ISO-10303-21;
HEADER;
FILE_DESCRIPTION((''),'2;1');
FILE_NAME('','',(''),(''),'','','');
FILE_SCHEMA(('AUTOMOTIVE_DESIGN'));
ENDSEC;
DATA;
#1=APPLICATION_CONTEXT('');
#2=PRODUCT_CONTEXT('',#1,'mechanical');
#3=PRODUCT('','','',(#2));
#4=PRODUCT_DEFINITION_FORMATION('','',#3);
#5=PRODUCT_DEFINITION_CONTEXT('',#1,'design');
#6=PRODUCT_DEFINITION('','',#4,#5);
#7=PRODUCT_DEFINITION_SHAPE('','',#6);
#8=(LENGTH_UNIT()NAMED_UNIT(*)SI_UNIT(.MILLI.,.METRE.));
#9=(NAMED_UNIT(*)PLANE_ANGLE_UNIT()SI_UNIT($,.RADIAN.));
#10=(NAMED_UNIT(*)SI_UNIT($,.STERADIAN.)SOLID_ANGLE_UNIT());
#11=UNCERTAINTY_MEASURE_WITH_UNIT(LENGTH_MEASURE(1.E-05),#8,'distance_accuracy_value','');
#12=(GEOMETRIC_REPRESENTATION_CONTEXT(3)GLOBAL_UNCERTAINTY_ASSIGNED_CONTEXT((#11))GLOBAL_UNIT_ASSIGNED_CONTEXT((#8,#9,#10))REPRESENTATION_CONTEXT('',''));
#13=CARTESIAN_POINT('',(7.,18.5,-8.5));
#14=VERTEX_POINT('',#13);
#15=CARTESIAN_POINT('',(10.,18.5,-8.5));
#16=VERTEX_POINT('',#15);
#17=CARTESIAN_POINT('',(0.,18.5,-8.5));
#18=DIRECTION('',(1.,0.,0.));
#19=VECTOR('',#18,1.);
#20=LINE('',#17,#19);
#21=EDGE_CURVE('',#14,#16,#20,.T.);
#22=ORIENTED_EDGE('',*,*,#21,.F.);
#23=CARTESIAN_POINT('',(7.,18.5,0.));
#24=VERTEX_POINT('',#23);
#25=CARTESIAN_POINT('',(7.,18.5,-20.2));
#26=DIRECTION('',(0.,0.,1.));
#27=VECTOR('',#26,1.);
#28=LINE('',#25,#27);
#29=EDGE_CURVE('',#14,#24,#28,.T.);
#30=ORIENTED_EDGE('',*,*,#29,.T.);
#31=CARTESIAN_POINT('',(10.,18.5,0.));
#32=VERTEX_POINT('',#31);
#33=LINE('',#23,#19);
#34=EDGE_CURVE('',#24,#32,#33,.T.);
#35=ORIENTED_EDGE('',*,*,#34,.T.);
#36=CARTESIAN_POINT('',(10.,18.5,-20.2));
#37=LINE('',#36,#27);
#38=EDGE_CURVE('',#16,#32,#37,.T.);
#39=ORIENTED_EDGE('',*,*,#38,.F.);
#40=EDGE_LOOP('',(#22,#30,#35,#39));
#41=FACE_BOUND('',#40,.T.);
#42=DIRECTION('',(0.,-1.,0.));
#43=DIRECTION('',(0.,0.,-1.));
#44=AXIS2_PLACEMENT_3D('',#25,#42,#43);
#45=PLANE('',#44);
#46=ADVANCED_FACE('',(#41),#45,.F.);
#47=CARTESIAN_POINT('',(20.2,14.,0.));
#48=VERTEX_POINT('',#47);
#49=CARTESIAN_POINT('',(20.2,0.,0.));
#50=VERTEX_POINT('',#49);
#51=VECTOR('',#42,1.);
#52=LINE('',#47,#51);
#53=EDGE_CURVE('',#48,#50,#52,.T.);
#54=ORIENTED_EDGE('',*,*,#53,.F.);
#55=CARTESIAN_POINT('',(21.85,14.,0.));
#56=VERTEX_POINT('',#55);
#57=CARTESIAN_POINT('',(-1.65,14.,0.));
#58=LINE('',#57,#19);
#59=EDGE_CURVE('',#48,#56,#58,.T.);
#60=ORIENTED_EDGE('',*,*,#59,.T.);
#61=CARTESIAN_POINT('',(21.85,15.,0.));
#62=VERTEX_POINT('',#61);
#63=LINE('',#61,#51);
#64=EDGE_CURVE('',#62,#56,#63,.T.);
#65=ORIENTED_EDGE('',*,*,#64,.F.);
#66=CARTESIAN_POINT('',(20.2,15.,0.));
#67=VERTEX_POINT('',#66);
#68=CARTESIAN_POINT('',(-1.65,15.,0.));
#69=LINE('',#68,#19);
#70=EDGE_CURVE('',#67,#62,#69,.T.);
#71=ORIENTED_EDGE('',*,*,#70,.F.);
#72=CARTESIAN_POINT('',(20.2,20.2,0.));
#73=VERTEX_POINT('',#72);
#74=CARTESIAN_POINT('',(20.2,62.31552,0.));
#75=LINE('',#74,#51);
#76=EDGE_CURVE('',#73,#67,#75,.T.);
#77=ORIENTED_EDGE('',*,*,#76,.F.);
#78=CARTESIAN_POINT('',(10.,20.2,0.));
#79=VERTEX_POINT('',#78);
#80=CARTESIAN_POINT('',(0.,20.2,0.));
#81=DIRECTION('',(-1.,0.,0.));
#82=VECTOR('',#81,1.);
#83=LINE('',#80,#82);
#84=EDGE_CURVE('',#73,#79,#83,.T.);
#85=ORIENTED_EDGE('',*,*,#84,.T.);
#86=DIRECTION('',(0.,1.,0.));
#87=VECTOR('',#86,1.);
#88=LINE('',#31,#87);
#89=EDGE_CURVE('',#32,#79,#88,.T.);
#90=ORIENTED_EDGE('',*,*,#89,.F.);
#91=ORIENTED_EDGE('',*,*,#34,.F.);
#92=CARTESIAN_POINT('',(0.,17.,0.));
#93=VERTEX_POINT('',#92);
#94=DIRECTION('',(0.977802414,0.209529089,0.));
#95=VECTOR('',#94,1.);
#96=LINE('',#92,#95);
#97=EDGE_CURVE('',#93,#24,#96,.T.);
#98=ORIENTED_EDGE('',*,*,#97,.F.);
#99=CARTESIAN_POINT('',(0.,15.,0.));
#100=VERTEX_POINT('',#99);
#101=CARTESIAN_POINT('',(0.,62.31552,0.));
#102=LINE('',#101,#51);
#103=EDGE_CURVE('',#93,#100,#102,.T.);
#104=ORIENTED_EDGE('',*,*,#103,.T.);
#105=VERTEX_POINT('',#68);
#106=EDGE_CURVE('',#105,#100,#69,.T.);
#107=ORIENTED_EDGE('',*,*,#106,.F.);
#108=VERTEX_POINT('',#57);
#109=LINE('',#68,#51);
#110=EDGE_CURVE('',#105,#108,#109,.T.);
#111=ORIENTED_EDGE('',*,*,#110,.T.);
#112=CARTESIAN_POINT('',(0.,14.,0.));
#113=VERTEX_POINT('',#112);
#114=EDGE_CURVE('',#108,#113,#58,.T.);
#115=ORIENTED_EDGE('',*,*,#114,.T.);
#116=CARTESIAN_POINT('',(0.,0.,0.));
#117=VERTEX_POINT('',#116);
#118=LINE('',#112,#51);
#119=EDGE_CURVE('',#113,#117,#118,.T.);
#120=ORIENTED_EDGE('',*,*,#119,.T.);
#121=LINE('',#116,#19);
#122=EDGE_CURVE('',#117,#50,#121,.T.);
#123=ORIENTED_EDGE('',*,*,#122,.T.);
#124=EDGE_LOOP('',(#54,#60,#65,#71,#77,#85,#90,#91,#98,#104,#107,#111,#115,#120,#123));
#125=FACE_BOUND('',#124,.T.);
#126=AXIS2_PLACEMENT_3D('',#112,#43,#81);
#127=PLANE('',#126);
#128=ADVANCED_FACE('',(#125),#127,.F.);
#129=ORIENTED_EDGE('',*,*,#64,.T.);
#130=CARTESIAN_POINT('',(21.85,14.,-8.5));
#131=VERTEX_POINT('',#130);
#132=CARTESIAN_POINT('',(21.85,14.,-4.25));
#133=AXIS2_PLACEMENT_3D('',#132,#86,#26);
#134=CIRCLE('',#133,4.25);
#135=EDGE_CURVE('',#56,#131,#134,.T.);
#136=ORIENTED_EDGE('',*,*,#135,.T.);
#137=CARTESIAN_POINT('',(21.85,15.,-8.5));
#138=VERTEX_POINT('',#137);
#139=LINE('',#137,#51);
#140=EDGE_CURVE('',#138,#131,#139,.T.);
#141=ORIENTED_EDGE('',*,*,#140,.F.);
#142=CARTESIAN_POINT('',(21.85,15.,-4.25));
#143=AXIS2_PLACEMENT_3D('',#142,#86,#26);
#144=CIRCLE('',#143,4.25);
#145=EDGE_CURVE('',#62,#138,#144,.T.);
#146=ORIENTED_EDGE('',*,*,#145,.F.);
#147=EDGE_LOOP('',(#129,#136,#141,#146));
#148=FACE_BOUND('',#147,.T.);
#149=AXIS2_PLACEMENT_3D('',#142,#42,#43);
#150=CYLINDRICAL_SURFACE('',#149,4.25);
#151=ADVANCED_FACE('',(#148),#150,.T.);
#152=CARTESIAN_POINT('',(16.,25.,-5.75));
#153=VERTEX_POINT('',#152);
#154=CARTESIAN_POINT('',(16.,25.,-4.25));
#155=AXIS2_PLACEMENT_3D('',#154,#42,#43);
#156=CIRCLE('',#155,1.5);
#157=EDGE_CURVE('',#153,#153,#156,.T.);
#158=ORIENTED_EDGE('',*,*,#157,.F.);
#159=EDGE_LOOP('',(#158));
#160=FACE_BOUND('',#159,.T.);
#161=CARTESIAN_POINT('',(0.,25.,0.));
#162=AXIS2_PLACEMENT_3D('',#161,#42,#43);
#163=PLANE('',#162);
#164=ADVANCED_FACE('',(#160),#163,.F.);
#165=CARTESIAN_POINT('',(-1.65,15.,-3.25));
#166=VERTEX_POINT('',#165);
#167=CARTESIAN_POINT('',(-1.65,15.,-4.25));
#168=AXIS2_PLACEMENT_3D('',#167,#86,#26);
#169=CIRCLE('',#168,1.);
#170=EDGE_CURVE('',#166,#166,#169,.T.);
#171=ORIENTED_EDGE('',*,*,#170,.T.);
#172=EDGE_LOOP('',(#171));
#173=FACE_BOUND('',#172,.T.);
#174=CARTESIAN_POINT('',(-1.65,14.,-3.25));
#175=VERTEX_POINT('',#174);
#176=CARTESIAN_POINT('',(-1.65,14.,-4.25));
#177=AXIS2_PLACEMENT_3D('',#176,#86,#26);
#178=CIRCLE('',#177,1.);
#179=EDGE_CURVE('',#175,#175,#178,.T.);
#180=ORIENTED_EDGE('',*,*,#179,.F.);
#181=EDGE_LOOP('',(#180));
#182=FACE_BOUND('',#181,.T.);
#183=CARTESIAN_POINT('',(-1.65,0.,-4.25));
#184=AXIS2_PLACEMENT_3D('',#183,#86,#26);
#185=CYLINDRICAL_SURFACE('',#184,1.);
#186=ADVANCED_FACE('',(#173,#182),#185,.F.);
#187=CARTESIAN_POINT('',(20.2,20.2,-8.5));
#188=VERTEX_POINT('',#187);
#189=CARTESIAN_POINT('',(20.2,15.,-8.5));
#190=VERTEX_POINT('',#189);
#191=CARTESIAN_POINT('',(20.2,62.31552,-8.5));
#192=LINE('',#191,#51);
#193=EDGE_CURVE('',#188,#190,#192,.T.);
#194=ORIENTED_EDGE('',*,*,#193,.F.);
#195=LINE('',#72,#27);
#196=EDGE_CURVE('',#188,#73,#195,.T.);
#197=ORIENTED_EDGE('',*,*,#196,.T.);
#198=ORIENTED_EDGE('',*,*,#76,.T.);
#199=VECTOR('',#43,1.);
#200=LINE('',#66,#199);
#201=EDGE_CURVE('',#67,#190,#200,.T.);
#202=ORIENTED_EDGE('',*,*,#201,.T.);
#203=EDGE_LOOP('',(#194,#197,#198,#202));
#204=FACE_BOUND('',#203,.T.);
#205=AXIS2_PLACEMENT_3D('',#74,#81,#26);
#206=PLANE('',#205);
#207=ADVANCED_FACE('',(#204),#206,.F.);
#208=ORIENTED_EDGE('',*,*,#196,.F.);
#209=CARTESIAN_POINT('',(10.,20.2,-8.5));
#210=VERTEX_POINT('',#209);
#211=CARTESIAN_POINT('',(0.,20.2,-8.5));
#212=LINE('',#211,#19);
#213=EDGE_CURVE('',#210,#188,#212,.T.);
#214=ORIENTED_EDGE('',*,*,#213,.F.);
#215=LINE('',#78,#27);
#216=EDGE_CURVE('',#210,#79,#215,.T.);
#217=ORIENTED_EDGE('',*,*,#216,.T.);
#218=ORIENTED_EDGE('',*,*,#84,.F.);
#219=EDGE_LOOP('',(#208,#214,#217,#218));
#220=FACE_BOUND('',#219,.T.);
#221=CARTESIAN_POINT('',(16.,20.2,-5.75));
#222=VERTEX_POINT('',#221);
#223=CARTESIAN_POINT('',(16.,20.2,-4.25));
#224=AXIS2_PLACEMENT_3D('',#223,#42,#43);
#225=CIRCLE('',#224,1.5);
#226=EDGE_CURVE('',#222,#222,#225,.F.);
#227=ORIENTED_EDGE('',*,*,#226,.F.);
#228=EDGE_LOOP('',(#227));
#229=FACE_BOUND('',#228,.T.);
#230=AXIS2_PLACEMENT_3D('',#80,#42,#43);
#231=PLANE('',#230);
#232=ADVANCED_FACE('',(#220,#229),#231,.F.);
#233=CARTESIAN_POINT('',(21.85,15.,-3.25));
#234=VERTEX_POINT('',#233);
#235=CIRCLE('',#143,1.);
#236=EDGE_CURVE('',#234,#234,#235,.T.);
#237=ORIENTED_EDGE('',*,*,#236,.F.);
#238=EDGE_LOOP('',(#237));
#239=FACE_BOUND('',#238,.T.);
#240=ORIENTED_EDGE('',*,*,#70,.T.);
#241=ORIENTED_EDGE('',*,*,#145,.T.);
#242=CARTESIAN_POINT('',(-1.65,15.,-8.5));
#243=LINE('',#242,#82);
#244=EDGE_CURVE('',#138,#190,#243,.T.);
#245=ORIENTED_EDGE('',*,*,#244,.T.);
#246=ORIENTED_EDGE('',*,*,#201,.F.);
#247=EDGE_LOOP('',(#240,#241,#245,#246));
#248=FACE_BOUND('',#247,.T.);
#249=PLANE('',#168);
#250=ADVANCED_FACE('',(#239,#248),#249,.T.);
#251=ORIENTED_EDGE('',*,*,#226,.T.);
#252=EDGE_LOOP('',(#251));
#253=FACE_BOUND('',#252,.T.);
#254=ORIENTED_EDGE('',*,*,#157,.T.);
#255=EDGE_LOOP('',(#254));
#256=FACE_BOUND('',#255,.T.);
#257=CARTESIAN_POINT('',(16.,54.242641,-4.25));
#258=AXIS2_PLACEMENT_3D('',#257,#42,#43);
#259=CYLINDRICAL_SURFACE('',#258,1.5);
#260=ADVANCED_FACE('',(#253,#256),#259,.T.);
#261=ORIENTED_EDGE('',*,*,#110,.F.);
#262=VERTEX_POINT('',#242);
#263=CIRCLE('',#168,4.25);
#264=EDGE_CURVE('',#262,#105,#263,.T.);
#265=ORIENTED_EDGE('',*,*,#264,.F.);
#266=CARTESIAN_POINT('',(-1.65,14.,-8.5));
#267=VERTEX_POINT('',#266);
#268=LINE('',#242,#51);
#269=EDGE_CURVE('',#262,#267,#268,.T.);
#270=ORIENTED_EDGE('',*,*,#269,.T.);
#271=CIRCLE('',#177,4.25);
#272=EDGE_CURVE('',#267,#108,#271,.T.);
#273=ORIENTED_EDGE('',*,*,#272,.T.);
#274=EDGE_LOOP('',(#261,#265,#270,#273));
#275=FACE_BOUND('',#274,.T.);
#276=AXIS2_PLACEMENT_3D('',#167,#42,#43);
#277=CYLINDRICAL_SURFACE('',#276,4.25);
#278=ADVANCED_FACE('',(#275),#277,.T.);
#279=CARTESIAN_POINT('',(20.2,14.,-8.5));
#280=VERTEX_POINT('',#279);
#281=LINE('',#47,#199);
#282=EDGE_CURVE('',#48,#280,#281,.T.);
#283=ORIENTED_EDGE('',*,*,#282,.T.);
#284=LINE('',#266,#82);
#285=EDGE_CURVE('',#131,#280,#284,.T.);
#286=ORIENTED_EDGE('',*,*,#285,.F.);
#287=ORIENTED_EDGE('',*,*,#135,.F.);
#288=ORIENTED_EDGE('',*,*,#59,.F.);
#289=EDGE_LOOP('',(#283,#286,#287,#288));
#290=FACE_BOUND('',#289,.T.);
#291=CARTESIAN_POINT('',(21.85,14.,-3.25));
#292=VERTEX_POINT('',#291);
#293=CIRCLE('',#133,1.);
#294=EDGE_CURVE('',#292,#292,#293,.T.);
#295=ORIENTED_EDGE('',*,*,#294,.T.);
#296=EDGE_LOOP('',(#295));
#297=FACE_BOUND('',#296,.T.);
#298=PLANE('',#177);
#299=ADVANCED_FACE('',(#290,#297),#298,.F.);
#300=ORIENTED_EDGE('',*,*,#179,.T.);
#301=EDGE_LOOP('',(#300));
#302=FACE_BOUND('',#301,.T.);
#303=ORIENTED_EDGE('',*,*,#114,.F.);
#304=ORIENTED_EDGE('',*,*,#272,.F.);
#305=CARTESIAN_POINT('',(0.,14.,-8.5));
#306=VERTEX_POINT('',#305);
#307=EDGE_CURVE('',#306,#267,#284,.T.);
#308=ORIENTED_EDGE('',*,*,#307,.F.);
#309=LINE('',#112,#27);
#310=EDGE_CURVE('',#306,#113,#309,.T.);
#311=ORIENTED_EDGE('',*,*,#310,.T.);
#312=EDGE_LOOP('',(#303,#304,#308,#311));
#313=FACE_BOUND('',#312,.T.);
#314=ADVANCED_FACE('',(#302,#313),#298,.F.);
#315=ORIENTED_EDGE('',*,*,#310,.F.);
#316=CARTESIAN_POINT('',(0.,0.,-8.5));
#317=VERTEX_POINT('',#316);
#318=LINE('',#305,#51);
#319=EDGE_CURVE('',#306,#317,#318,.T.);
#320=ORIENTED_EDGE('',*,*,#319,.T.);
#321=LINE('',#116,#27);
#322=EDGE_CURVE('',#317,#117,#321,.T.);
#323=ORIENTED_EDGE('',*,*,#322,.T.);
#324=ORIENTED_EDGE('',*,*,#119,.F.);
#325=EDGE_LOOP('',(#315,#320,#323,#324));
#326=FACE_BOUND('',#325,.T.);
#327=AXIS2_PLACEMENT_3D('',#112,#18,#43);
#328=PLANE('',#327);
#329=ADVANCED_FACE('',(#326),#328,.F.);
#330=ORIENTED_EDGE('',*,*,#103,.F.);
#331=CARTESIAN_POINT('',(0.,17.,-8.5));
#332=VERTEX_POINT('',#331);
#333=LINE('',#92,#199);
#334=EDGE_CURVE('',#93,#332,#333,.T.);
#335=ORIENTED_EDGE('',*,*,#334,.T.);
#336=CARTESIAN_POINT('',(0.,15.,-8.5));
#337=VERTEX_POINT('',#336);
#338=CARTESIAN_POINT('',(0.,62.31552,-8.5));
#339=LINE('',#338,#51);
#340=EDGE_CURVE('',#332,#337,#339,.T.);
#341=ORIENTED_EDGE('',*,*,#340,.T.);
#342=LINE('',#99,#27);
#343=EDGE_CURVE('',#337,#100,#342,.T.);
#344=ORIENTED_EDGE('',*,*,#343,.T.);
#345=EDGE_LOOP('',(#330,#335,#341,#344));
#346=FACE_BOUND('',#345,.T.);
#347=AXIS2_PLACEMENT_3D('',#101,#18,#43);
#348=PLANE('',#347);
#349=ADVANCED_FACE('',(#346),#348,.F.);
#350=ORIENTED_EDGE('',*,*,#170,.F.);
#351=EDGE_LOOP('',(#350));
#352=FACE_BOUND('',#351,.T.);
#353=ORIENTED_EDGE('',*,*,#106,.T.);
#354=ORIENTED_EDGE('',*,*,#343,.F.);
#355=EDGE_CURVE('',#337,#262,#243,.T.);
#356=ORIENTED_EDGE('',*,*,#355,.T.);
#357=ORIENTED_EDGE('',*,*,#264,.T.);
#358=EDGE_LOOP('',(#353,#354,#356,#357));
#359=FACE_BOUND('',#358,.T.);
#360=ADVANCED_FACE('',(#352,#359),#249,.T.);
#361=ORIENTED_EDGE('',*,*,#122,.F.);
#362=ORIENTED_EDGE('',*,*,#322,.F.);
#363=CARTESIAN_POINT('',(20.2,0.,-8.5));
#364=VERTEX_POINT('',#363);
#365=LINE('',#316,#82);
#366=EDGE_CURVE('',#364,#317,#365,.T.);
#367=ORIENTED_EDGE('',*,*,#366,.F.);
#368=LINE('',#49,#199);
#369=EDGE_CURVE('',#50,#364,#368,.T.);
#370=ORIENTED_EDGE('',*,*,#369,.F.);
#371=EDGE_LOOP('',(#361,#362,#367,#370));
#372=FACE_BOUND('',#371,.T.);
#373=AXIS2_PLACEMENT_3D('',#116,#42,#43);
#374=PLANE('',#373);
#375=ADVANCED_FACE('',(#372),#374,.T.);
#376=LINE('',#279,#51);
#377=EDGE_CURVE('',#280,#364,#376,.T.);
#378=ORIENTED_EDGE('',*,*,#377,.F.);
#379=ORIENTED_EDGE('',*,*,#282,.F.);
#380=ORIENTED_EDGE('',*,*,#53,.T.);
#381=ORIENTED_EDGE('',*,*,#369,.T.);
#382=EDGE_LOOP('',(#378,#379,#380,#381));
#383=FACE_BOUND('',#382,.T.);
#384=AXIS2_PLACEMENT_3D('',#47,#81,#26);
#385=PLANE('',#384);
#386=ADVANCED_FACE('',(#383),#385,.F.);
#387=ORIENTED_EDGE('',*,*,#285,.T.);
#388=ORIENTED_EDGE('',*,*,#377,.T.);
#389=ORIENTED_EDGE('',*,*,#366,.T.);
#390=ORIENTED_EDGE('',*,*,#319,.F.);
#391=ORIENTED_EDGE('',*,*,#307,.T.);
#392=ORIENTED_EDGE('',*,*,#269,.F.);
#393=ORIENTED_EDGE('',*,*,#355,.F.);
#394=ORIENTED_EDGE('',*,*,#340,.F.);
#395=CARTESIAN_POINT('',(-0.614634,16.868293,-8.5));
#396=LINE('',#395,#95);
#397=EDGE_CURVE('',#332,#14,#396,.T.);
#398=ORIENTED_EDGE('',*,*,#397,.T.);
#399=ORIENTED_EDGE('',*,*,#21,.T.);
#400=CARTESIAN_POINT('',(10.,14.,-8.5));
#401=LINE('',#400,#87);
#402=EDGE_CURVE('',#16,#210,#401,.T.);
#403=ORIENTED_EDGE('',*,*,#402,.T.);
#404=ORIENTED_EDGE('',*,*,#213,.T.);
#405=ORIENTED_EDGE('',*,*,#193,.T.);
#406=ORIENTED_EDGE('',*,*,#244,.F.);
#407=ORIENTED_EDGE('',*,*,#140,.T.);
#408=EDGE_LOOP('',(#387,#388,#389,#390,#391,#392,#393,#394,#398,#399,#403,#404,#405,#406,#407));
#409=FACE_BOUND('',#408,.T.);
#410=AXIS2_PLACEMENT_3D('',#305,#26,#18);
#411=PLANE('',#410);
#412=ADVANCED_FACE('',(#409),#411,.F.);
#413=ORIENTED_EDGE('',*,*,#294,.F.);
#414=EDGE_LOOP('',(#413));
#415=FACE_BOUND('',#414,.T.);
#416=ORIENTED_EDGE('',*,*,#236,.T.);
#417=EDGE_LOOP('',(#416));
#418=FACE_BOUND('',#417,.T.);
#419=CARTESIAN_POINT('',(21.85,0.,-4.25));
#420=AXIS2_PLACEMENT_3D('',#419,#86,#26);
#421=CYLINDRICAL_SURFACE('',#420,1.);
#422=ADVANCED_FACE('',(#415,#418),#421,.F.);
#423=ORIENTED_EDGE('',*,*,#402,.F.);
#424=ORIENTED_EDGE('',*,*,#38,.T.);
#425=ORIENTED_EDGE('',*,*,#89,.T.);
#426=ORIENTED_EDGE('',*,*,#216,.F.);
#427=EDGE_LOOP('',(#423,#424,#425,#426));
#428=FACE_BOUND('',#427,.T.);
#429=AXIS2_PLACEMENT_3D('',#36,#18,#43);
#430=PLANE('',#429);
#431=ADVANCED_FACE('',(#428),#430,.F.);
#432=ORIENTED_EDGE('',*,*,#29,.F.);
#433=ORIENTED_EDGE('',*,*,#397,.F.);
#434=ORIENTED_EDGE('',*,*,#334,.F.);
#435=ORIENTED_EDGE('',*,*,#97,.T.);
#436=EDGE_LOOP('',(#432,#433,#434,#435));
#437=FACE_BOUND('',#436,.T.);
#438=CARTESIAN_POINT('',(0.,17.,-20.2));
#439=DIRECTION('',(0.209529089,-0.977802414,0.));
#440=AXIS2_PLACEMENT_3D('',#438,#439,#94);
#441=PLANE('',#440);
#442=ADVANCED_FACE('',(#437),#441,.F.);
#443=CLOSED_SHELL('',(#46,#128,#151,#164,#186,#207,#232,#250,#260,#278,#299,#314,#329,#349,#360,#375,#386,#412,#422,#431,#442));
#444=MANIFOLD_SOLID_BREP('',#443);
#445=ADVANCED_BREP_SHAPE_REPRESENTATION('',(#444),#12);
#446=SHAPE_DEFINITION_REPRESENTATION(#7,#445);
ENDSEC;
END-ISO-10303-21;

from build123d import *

# Parameters (mm, degrees)
SKETCH1_W           = 20.2
SKETCH1_H           = 8.5
BOSS_EXTRUDE1_DEPTH = 14
BOSS_EXTRUDE2_DEPTH = 1
SKETCH3_W           = 20.2
SKETCH3_H           = 8.5
BOSS_EXTRUDE3_DEPTH = 5.2
CUT_EXTRUDE1_DEPTH  = 20.2
SKETCH5_R           = 1
CUT_EXTRUDE2_DEPTH  = 32.280345267
SKETCH6_R           = 1.5
BOSS_EXTRUDE4_DEPTH = 4.8


with BuildPart() as part:
    # Sketch1 → Boss-Extrude1 (new body)
    with BuildSketch(Plane(origin=(0, 0, 0), x_dir=(1, 0, 0), z_dir=(0, 1, 0))):
        with Locations((10.1, 4.25)):
            Rectangle(SKETCH1_W, SKETCH1_H)
    extrude(amount=BOSS_EXTRUDE1_DEPTH)

    # Sketch2 → Boss-Extrude2 (add)
    with BuildSketch(Plane(origin=(0, 14, 0), x_dir=(1, 0, 0), z_dir=(0, 1, 0))):
        with BuildLine():
            Line((-1.65, 8.5), (21.85, 8.5))
            ThreePointArc((21.85, 8.5), (26.1, 4.25), (21.85, 0))
            Line((21.85, 0), (-1.65, 0))
            ThreePointArc((-1.65, 0), (-5.9, 4.25), (-1.65, 8.5))
        make_face()
    extrude(amount=BOSS_EXTRUDE2_DEPTH)

    # Sketch3 → Boss-Extrude3 (add)
    with BuildSketch(Plane(origin=(0, 15, 0), x_dir=(1, 0, 0), z_dir=(0, 1, 0))):
        with Locations((10.1, 4.25)):
            Rectangle(SKETCH3_W, SKETCH3_H)
    extrude(amount=BOSS_EXTRUDE3_DEPTH)

    # Sketch4 → Cut-Extrude1 (cut)
    with BuildSketch(Plane.XY):
        Polygon((0, 17), (7, 18.5), (10, 18.5), (10, 20.2), (20.2, 20.2), (20.2, 17.6), (23.419390589, 17.6), (23.419390589, 23.763762674), (-0.815558956, 23.763762674), align=None)
    extrude(amount=-CUT_EXTRUDE1_DEPTH, mode=Mode.SUBTRACT)

    # Sketch5 → Cut-Extrude2 (cut, through all)
    with BuildSketch(Plane(origin=(0, 15, 0), x_dir=(1, 0, 0), z_dir=(0, 1, 0))):
        with Locations(Location((-1.65, 4.25, 0), (0, 0, 270))):
            Circle(SKETCH5_R)
        with Locations(Location((21.85, 4.25, 0), (0, 0, 270))):
            Circle(SKETCH5_R)
    extrude(amount=-CUT_EXTRUDE2_DEPTH, mode=Mode.SUBTRACT)

    # Sketch6 → Boss-Extrude4 (add)
    with BuildSketch(Plane(origin=(0, 20.2, 0), x_dir=(1, 0, 0), z_dir=(0, 1, 0))):
        with Locations(Location((16, 4.25, 0), (0, 0, 90))):
            Circle(SKETCH6_R)
    extrude(amount=BOSS_EXTRUDE4_DEPTH)


solid = part.part
